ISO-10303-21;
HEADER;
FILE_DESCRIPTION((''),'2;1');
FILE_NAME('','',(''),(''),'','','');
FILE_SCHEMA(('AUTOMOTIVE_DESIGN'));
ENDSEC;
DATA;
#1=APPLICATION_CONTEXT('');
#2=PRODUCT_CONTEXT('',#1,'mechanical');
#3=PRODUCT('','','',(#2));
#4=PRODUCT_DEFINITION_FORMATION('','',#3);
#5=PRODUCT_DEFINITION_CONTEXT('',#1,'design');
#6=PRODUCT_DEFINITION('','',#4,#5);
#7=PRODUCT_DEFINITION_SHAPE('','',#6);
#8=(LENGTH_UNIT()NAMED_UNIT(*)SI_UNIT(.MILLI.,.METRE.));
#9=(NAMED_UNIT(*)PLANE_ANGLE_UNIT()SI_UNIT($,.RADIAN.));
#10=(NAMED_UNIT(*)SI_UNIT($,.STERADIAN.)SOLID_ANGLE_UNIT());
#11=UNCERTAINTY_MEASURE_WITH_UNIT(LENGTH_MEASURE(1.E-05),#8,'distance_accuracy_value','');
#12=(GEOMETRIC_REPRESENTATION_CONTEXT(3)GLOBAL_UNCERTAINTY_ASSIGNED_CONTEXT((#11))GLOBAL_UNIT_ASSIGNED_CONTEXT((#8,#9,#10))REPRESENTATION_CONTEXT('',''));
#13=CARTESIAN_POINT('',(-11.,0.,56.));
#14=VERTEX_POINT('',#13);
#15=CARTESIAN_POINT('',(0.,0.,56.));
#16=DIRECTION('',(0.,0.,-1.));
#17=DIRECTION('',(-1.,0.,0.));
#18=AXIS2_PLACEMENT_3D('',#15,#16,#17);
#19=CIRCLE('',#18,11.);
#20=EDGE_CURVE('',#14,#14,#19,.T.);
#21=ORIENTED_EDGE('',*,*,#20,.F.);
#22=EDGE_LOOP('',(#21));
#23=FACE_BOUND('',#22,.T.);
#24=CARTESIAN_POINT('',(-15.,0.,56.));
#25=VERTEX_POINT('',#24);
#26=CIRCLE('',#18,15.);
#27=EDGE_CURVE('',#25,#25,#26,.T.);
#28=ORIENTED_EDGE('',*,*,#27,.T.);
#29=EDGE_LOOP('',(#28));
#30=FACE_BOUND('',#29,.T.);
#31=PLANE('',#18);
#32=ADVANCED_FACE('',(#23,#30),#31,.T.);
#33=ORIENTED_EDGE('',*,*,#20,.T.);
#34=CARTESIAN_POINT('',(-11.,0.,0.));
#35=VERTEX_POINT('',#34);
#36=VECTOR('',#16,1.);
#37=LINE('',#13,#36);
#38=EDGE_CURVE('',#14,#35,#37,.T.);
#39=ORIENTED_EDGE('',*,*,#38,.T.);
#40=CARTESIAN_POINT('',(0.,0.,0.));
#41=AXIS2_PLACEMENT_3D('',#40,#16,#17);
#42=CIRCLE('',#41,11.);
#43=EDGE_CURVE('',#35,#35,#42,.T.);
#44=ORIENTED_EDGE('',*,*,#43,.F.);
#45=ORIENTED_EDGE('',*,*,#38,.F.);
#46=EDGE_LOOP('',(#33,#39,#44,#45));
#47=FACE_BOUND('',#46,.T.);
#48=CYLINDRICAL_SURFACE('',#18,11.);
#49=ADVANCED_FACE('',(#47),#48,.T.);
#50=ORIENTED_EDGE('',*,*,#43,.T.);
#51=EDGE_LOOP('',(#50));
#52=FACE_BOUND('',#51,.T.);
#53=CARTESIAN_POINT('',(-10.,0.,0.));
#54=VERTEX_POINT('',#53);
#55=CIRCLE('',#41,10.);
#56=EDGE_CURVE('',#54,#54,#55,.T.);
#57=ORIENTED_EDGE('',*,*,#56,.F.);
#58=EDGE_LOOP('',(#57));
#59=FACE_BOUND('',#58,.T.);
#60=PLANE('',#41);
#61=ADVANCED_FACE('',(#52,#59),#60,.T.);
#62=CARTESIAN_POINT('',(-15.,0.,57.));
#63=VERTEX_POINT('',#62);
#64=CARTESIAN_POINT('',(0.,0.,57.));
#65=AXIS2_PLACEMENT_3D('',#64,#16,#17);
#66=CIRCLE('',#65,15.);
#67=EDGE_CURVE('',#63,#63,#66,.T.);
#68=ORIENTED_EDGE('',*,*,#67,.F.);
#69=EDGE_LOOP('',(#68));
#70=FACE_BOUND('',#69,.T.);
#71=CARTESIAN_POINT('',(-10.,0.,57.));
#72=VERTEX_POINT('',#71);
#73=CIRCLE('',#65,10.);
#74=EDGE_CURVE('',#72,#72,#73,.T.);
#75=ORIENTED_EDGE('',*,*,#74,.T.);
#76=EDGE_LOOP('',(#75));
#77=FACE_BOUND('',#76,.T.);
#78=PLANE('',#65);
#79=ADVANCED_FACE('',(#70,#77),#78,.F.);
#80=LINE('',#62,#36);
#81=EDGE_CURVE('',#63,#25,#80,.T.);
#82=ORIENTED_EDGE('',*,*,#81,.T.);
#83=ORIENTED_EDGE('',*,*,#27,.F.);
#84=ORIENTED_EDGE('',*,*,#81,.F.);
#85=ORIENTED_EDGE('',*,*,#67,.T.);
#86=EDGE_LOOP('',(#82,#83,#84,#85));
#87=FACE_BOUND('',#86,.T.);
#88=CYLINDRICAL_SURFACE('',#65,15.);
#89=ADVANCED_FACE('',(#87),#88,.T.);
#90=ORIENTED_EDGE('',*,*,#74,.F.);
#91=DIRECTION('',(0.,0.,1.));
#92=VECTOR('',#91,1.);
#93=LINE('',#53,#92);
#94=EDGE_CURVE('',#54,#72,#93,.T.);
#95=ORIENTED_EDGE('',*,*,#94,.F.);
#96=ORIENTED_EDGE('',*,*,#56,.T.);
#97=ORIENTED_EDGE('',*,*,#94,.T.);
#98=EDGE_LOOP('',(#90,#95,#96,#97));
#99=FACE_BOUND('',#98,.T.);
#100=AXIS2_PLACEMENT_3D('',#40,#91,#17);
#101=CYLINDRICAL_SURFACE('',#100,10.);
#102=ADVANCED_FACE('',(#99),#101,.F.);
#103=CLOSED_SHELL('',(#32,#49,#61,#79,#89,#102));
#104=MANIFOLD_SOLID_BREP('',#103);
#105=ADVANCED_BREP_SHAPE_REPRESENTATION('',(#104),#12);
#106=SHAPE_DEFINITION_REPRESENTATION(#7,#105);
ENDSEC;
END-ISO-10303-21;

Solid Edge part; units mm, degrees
sketch "Sketch1" plane through (0, 0, 0) normal (0, -1, 0) x (1, 0, 0)
  line L0 (-10, 0) -> (-10, 57)
  line L1 (-10, 57) -> (-15, 57)
  line L2 (-15, 57) -> (-15, 56)
  line L3 (-15, 56) -> (-11, 56)
  line L4 (-11, 56) -> (-11, 0)
  line L5 (-11, 0) -> (-10, 0)
  dimension "D1" = 10
  dimension "D2" = 11
  dimension "D3" = 4
  dimension "D4" = 1
  dimension "D5" = 57
revolve "RevolvedProtrusion1" add sketch "Sketch1" angle 360 about axis through (0, 0, 54) along (0, 0, -1)
properties material "Bronze, 90%"
